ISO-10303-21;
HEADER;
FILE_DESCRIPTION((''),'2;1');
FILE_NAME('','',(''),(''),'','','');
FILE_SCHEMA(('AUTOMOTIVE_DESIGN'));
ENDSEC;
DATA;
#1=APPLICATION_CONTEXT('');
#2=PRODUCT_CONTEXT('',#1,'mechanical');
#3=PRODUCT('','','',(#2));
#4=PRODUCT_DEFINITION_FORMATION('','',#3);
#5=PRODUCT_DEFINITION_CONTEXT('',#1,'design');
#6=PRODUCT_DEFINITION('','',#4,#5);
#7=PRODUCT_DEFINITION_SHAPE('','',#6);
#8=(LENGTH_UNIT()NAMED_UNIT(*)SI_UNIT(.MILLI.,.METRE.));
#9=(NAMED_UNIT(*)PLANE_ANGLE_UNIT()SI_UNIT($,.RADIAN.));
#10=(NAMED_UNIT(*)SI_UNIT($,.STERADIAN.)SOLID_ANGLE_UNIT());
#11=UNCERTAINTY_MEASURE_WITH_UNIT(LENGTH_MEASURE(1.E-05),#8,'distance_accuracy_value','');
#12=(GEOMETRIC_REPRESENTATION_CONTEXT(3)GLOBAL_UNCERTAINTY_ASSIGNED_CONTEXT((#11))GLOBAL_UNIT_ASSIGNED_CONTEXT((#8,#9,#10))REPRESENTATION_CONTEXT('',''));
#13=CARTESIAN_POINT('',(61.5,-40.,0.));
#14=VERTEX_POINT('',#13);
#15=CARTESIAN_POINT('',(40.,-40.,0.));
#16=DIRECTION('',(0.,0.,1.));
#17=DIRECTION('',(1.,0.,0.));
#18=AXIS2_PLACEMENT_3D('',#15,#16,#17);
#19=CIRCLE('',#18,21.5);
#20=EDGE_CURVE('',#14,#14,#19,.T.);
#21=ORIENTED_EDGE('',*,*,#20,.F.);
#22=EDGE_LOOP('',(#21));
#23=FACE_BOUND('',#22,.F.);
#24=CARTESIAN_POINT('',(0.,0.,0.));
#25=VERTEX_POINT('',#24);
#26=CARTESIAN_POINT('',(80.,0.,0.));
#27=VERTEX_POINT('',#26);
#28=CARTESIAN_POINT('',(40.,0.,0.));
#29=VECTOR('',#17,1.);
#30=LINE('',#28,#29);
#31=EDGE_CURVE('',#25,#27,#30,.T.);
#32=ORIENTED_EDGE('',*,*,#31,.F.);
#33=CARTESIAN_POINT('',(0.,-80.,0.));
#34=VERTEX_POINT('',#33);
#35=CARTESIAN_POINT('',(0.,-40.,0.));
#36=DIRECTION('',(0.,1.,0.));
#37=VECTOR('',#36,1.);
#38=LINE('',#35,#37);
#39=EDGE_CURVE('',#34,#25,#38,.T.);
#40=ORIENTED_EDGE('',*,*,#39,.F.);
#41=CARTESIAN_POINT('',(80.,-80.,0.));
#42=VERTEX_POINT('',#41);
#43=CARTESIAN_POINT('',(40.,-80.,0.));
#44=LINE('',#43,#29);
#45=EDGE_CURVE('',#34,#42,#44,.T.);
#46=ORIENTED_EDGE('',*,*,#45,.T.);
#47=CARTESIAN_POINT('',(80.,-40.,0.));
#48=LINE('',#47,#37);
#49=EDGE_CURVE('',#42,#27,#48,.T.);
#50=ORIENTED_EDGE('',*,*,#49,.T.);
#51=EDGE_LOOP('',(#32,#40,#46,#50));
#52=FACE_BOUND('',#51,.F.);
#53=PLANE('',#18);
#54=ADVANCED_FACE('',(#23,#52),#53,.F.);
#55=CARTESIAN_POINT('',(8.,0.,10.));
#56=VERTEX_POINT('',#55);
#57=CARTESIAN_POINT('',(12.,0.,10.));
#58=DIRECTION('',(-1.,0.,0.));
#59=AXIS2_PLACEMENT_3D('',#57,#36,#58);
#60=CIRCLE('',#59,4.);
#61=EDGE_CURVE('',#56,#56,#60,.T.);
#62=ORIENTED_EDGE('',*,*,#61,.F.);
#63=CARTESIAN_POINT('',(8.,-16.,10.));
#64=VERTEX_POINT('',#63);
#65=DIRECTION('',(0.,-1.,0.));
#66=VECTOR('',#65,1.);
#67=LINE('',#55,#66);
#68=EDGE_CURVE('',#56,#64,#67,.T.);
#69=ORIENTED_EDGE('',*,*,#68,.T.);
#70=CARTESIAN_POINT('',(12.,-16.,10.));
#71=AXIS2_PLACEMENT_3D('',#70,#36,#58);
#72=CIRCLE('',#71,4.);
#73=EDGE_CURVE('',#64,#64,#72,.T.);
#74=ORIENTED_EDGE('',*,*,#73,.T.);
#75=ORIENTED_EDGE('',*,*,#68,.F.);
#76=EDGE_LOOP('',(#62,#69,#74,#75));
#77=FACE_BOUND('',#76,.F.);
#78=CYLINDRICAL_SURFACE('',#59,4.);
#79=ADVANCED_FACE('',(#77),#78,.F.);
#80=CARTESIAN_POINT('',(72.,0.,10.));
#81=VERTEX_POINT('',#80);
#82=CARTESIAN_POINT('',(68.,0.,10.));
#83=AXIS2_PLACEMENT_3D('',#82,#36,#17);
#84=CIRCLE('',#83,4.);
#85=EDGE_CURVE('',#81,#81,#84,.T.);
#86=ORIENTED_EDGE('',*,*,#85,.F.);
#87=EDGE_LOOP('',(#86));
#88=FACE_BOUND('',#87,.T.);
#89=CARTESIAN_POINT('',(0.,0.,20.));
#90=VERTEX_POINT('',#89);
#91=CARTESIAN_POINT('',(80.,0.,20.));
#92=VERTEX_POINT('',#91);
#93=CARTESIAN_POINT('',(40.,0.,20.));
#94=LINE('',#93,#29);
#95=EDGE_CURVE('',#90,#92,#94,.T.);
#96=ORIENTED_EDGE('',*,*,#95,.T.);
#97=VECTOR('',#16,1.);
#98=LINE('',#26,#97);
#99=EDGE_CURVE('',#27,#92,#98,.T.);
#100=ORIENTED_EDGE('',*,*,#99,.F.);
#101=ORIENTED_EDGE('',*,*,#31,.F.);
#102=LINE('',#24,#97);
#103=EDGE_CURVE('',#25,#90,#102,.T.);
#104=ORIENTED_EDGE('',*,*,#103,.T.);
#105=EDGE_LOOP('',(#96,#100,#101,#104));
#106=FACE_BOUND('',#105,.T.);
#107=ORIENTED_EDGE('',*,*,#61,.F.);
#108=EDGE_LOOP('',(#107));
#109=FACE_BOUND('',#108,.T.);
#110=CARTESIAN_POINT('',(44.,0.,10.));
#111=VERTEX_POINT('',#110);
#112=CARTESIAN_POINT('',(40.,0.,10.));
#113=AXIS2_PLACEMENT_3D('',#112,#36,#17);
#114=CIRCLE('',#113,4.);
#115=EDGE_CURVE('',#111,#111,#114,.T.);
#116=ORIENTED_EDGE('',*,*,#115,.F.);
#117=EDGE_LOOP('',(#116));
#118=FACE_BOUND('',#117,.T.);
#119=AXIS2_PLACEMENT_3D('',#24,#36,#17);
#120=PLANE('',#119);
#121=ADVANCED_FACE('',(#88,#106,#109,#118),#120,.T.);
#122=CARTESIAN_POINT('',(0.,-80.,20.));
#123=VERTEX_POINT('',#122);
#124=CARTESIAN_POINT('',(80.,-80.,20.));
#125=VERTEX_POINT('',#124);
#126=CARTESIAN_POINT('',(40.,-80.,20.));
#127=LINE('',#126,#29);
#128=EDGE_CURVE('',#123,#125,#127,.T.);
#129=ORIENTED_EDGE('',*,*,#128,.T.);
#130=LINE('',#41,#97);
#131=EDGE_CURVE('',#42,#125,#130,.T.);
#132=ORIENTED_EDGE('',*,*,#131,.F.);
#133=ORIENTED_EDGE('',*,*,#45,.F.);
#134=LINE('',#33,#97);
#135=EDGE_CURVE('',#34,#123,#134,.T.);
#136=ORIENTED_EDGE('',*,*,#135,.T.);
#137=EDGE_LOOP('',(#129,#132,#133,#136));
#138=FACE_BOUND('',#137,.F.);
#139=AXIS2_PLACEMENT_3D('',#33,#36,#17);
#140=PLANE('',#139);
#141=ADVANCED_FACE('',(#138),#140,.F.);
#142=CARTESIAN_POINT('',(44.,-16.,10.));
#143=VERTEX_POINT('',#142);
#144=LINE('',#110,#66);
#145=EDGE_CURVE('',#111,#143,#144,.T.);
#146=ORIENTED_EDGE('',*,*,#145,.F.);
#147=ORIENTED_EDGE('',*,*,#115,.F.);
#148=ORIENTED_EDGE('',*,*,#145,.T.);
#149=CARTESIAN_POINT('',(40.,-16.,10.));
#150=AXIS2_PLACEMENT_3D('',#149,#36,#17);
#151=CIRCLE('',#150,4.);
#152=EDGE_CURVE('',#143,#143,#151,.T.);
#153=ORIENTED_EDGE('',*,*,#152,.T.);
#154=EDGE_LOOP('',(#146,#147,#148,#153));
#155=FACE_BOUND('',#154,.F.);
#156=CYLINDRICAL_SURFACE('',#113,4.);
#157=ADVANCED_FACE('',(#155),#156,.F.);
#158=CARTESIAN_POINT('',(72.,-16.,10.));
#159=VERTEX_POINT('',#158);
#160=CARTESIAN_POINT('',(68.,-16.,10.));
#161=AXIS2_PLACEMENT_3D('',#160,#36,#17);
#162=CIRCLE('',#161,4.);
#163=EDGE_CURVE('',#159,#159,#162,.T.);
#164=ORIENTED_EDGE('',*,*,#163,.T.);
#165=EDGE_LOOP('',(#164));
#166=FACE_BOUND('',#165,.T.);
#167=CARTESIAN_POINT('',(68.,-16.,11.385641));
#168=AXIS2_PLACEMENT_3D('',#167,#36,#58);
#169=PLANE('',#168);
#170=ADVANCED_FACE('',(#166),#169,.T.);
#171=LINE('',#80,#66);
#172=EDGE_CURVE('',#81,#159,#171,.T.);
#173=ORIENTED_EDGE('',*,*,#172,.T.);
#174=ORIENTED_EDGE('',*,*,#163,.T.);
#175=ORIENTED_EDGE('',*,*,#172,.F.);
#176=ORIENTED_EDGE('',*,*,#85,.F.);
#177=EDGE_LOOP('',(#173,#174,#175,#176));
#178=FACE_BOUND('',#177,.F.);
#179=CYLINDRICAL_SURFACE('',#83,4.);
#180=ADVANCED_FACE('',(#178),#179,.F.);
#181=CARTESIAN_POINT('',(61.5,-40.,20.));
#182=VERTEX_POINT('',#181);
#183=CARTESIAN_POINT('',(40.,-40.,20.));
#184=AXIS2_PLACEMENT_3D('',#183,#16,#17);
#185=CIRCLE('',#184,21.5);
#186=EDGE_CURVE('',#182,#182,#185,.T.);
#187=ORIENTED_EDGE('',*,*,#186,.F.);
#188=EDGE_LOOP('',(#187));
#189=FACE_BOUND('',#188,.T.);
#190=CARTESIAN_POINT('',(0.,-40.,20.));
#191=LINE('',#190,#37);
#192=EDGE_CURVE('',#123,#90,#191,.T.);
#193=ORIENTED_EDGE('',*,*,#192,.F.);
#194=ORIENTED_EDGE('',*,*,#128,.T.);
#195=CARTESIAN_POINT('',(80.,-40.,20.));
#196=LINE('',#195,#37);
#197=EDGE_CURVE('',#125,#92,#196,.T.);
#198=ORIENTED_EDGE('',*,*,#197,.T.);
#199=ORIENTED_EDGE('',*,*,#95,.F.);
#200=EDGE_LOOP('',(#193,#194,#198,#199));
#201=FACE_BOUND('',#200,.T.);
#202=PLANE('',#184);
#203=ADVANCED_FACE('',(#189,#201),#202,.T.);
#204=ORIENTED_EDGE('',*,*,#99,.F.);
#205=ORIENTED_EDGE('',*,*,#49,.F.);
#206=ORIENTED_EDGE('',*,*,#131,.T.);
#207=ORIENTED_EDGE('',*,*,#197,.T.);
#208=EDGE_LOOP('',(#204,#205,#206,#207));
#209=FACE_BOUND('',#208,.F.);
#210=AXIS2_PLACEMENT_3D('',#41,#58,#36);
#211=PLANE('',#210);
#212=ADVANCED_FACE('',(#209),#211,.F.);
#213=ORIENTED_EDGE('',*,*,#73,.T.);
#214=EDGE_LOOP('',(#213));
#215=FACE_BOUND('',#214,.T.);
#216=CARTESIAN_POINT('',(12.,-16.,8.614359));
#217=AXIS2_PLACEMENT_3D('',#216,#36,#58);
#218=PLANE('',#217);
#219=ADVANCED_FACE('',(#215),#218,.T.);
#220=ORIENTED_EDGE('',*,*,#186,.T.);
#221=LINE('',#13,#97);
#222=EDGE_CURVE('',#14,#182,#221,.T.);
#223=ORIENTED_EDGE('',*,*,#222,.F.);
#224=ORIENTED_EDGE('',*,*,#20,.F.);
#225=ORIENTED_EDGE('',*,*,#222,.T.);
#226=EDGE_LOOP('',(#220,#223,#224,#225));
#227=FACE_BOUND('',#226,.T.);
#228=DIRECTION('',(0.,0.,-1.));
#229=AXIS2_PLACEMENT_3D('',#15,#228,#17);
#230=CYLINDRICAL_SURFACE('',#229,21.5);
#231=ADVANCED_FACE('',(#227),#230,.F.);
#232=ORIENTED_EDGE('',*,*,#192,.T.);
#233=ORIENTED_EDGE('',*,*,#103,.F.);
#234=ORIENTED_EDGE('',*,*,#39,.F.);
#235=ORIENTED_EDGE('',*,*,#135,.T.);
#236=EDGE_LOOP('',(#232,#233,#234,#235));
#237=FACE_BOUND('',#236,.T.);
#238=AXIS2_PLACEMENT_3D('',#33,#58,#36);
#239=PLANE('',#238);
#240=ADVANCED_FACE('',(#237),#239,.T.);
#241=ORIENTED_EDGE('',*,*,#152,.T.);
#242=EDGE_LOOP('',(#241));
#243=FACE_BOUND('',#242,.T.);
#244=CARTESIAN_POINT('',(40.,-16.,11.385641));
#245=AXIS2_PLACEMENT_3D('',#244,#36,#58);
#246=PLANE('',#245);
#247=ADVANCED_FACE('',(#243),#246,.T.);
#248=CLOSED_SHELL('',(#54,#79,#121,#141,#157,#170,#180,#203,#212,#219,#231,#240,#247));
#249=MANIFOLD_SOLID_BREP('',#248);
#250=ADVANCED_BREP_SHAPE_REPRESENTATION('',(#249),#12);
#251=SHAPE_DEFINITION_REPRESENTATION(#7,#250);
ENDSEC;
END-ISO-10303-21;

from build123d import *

# Parameters (mm, degrees)
F0_W     = 80
F0_H     = 80
F0_R     = 21.5
F1_DEPTH = 20
F3_DEPTH = 16


with BuildPart() as f1:
    # F0 (on Top) → F1 (new body)
    with BuildSketch(Plane.XY):
        with Locations((40, -40)):
            Rectangle(F0_W, F0_H)
        with Locations((40, -40)):
            Circle(F0_R, mode=Mode.SUBTRACT)
    extrude(amount=F1_DEPTH)

    # F2 (on face) → F3 (cut)
    with BuildSketch(Plane(origin=(0, 0, 0), x_dir=(-1, 0, 0), z_dir=(0, 1, 0))):
        with BuildLine():
            ThreePointArc((-64, 10), (-68, 14), (-72, 10))
            Line((-72, 10), (-64, 10))
        make_face()
        with BuildLine():
            Line((-64, 10), (-72, 10))
            ThreePointArc((-72, 10), (-68, 6), (-64, 10))
        make_face()
        with BuildLine():
            ThreePointArc((-16, 10), (-12, 6), (-8, 10))
            Line((-8, 10), (-16, 10))
        make_face()
        with BuildLine():
            Line((-16, 10), (-8, 10))
            ThreePointArc((-8, 10), (-12, 14), (-16, 10))
        make_face()
        with BuildLine():
            Line((-44, 10), (-36, 10))
            ThreePointArc((-36, 10), (-40, 14), (-44, 10))
        make_face()
        with BuildLine():
            ThreePointArc((-44, 10), (-40, 6), (-36, 10))
            Line((-36, 10), (-44, 10))
        make_face()
    extrude(amount=-F3_DEPTH, mode=Mode.SUBTRACT)


solid = f1.part
